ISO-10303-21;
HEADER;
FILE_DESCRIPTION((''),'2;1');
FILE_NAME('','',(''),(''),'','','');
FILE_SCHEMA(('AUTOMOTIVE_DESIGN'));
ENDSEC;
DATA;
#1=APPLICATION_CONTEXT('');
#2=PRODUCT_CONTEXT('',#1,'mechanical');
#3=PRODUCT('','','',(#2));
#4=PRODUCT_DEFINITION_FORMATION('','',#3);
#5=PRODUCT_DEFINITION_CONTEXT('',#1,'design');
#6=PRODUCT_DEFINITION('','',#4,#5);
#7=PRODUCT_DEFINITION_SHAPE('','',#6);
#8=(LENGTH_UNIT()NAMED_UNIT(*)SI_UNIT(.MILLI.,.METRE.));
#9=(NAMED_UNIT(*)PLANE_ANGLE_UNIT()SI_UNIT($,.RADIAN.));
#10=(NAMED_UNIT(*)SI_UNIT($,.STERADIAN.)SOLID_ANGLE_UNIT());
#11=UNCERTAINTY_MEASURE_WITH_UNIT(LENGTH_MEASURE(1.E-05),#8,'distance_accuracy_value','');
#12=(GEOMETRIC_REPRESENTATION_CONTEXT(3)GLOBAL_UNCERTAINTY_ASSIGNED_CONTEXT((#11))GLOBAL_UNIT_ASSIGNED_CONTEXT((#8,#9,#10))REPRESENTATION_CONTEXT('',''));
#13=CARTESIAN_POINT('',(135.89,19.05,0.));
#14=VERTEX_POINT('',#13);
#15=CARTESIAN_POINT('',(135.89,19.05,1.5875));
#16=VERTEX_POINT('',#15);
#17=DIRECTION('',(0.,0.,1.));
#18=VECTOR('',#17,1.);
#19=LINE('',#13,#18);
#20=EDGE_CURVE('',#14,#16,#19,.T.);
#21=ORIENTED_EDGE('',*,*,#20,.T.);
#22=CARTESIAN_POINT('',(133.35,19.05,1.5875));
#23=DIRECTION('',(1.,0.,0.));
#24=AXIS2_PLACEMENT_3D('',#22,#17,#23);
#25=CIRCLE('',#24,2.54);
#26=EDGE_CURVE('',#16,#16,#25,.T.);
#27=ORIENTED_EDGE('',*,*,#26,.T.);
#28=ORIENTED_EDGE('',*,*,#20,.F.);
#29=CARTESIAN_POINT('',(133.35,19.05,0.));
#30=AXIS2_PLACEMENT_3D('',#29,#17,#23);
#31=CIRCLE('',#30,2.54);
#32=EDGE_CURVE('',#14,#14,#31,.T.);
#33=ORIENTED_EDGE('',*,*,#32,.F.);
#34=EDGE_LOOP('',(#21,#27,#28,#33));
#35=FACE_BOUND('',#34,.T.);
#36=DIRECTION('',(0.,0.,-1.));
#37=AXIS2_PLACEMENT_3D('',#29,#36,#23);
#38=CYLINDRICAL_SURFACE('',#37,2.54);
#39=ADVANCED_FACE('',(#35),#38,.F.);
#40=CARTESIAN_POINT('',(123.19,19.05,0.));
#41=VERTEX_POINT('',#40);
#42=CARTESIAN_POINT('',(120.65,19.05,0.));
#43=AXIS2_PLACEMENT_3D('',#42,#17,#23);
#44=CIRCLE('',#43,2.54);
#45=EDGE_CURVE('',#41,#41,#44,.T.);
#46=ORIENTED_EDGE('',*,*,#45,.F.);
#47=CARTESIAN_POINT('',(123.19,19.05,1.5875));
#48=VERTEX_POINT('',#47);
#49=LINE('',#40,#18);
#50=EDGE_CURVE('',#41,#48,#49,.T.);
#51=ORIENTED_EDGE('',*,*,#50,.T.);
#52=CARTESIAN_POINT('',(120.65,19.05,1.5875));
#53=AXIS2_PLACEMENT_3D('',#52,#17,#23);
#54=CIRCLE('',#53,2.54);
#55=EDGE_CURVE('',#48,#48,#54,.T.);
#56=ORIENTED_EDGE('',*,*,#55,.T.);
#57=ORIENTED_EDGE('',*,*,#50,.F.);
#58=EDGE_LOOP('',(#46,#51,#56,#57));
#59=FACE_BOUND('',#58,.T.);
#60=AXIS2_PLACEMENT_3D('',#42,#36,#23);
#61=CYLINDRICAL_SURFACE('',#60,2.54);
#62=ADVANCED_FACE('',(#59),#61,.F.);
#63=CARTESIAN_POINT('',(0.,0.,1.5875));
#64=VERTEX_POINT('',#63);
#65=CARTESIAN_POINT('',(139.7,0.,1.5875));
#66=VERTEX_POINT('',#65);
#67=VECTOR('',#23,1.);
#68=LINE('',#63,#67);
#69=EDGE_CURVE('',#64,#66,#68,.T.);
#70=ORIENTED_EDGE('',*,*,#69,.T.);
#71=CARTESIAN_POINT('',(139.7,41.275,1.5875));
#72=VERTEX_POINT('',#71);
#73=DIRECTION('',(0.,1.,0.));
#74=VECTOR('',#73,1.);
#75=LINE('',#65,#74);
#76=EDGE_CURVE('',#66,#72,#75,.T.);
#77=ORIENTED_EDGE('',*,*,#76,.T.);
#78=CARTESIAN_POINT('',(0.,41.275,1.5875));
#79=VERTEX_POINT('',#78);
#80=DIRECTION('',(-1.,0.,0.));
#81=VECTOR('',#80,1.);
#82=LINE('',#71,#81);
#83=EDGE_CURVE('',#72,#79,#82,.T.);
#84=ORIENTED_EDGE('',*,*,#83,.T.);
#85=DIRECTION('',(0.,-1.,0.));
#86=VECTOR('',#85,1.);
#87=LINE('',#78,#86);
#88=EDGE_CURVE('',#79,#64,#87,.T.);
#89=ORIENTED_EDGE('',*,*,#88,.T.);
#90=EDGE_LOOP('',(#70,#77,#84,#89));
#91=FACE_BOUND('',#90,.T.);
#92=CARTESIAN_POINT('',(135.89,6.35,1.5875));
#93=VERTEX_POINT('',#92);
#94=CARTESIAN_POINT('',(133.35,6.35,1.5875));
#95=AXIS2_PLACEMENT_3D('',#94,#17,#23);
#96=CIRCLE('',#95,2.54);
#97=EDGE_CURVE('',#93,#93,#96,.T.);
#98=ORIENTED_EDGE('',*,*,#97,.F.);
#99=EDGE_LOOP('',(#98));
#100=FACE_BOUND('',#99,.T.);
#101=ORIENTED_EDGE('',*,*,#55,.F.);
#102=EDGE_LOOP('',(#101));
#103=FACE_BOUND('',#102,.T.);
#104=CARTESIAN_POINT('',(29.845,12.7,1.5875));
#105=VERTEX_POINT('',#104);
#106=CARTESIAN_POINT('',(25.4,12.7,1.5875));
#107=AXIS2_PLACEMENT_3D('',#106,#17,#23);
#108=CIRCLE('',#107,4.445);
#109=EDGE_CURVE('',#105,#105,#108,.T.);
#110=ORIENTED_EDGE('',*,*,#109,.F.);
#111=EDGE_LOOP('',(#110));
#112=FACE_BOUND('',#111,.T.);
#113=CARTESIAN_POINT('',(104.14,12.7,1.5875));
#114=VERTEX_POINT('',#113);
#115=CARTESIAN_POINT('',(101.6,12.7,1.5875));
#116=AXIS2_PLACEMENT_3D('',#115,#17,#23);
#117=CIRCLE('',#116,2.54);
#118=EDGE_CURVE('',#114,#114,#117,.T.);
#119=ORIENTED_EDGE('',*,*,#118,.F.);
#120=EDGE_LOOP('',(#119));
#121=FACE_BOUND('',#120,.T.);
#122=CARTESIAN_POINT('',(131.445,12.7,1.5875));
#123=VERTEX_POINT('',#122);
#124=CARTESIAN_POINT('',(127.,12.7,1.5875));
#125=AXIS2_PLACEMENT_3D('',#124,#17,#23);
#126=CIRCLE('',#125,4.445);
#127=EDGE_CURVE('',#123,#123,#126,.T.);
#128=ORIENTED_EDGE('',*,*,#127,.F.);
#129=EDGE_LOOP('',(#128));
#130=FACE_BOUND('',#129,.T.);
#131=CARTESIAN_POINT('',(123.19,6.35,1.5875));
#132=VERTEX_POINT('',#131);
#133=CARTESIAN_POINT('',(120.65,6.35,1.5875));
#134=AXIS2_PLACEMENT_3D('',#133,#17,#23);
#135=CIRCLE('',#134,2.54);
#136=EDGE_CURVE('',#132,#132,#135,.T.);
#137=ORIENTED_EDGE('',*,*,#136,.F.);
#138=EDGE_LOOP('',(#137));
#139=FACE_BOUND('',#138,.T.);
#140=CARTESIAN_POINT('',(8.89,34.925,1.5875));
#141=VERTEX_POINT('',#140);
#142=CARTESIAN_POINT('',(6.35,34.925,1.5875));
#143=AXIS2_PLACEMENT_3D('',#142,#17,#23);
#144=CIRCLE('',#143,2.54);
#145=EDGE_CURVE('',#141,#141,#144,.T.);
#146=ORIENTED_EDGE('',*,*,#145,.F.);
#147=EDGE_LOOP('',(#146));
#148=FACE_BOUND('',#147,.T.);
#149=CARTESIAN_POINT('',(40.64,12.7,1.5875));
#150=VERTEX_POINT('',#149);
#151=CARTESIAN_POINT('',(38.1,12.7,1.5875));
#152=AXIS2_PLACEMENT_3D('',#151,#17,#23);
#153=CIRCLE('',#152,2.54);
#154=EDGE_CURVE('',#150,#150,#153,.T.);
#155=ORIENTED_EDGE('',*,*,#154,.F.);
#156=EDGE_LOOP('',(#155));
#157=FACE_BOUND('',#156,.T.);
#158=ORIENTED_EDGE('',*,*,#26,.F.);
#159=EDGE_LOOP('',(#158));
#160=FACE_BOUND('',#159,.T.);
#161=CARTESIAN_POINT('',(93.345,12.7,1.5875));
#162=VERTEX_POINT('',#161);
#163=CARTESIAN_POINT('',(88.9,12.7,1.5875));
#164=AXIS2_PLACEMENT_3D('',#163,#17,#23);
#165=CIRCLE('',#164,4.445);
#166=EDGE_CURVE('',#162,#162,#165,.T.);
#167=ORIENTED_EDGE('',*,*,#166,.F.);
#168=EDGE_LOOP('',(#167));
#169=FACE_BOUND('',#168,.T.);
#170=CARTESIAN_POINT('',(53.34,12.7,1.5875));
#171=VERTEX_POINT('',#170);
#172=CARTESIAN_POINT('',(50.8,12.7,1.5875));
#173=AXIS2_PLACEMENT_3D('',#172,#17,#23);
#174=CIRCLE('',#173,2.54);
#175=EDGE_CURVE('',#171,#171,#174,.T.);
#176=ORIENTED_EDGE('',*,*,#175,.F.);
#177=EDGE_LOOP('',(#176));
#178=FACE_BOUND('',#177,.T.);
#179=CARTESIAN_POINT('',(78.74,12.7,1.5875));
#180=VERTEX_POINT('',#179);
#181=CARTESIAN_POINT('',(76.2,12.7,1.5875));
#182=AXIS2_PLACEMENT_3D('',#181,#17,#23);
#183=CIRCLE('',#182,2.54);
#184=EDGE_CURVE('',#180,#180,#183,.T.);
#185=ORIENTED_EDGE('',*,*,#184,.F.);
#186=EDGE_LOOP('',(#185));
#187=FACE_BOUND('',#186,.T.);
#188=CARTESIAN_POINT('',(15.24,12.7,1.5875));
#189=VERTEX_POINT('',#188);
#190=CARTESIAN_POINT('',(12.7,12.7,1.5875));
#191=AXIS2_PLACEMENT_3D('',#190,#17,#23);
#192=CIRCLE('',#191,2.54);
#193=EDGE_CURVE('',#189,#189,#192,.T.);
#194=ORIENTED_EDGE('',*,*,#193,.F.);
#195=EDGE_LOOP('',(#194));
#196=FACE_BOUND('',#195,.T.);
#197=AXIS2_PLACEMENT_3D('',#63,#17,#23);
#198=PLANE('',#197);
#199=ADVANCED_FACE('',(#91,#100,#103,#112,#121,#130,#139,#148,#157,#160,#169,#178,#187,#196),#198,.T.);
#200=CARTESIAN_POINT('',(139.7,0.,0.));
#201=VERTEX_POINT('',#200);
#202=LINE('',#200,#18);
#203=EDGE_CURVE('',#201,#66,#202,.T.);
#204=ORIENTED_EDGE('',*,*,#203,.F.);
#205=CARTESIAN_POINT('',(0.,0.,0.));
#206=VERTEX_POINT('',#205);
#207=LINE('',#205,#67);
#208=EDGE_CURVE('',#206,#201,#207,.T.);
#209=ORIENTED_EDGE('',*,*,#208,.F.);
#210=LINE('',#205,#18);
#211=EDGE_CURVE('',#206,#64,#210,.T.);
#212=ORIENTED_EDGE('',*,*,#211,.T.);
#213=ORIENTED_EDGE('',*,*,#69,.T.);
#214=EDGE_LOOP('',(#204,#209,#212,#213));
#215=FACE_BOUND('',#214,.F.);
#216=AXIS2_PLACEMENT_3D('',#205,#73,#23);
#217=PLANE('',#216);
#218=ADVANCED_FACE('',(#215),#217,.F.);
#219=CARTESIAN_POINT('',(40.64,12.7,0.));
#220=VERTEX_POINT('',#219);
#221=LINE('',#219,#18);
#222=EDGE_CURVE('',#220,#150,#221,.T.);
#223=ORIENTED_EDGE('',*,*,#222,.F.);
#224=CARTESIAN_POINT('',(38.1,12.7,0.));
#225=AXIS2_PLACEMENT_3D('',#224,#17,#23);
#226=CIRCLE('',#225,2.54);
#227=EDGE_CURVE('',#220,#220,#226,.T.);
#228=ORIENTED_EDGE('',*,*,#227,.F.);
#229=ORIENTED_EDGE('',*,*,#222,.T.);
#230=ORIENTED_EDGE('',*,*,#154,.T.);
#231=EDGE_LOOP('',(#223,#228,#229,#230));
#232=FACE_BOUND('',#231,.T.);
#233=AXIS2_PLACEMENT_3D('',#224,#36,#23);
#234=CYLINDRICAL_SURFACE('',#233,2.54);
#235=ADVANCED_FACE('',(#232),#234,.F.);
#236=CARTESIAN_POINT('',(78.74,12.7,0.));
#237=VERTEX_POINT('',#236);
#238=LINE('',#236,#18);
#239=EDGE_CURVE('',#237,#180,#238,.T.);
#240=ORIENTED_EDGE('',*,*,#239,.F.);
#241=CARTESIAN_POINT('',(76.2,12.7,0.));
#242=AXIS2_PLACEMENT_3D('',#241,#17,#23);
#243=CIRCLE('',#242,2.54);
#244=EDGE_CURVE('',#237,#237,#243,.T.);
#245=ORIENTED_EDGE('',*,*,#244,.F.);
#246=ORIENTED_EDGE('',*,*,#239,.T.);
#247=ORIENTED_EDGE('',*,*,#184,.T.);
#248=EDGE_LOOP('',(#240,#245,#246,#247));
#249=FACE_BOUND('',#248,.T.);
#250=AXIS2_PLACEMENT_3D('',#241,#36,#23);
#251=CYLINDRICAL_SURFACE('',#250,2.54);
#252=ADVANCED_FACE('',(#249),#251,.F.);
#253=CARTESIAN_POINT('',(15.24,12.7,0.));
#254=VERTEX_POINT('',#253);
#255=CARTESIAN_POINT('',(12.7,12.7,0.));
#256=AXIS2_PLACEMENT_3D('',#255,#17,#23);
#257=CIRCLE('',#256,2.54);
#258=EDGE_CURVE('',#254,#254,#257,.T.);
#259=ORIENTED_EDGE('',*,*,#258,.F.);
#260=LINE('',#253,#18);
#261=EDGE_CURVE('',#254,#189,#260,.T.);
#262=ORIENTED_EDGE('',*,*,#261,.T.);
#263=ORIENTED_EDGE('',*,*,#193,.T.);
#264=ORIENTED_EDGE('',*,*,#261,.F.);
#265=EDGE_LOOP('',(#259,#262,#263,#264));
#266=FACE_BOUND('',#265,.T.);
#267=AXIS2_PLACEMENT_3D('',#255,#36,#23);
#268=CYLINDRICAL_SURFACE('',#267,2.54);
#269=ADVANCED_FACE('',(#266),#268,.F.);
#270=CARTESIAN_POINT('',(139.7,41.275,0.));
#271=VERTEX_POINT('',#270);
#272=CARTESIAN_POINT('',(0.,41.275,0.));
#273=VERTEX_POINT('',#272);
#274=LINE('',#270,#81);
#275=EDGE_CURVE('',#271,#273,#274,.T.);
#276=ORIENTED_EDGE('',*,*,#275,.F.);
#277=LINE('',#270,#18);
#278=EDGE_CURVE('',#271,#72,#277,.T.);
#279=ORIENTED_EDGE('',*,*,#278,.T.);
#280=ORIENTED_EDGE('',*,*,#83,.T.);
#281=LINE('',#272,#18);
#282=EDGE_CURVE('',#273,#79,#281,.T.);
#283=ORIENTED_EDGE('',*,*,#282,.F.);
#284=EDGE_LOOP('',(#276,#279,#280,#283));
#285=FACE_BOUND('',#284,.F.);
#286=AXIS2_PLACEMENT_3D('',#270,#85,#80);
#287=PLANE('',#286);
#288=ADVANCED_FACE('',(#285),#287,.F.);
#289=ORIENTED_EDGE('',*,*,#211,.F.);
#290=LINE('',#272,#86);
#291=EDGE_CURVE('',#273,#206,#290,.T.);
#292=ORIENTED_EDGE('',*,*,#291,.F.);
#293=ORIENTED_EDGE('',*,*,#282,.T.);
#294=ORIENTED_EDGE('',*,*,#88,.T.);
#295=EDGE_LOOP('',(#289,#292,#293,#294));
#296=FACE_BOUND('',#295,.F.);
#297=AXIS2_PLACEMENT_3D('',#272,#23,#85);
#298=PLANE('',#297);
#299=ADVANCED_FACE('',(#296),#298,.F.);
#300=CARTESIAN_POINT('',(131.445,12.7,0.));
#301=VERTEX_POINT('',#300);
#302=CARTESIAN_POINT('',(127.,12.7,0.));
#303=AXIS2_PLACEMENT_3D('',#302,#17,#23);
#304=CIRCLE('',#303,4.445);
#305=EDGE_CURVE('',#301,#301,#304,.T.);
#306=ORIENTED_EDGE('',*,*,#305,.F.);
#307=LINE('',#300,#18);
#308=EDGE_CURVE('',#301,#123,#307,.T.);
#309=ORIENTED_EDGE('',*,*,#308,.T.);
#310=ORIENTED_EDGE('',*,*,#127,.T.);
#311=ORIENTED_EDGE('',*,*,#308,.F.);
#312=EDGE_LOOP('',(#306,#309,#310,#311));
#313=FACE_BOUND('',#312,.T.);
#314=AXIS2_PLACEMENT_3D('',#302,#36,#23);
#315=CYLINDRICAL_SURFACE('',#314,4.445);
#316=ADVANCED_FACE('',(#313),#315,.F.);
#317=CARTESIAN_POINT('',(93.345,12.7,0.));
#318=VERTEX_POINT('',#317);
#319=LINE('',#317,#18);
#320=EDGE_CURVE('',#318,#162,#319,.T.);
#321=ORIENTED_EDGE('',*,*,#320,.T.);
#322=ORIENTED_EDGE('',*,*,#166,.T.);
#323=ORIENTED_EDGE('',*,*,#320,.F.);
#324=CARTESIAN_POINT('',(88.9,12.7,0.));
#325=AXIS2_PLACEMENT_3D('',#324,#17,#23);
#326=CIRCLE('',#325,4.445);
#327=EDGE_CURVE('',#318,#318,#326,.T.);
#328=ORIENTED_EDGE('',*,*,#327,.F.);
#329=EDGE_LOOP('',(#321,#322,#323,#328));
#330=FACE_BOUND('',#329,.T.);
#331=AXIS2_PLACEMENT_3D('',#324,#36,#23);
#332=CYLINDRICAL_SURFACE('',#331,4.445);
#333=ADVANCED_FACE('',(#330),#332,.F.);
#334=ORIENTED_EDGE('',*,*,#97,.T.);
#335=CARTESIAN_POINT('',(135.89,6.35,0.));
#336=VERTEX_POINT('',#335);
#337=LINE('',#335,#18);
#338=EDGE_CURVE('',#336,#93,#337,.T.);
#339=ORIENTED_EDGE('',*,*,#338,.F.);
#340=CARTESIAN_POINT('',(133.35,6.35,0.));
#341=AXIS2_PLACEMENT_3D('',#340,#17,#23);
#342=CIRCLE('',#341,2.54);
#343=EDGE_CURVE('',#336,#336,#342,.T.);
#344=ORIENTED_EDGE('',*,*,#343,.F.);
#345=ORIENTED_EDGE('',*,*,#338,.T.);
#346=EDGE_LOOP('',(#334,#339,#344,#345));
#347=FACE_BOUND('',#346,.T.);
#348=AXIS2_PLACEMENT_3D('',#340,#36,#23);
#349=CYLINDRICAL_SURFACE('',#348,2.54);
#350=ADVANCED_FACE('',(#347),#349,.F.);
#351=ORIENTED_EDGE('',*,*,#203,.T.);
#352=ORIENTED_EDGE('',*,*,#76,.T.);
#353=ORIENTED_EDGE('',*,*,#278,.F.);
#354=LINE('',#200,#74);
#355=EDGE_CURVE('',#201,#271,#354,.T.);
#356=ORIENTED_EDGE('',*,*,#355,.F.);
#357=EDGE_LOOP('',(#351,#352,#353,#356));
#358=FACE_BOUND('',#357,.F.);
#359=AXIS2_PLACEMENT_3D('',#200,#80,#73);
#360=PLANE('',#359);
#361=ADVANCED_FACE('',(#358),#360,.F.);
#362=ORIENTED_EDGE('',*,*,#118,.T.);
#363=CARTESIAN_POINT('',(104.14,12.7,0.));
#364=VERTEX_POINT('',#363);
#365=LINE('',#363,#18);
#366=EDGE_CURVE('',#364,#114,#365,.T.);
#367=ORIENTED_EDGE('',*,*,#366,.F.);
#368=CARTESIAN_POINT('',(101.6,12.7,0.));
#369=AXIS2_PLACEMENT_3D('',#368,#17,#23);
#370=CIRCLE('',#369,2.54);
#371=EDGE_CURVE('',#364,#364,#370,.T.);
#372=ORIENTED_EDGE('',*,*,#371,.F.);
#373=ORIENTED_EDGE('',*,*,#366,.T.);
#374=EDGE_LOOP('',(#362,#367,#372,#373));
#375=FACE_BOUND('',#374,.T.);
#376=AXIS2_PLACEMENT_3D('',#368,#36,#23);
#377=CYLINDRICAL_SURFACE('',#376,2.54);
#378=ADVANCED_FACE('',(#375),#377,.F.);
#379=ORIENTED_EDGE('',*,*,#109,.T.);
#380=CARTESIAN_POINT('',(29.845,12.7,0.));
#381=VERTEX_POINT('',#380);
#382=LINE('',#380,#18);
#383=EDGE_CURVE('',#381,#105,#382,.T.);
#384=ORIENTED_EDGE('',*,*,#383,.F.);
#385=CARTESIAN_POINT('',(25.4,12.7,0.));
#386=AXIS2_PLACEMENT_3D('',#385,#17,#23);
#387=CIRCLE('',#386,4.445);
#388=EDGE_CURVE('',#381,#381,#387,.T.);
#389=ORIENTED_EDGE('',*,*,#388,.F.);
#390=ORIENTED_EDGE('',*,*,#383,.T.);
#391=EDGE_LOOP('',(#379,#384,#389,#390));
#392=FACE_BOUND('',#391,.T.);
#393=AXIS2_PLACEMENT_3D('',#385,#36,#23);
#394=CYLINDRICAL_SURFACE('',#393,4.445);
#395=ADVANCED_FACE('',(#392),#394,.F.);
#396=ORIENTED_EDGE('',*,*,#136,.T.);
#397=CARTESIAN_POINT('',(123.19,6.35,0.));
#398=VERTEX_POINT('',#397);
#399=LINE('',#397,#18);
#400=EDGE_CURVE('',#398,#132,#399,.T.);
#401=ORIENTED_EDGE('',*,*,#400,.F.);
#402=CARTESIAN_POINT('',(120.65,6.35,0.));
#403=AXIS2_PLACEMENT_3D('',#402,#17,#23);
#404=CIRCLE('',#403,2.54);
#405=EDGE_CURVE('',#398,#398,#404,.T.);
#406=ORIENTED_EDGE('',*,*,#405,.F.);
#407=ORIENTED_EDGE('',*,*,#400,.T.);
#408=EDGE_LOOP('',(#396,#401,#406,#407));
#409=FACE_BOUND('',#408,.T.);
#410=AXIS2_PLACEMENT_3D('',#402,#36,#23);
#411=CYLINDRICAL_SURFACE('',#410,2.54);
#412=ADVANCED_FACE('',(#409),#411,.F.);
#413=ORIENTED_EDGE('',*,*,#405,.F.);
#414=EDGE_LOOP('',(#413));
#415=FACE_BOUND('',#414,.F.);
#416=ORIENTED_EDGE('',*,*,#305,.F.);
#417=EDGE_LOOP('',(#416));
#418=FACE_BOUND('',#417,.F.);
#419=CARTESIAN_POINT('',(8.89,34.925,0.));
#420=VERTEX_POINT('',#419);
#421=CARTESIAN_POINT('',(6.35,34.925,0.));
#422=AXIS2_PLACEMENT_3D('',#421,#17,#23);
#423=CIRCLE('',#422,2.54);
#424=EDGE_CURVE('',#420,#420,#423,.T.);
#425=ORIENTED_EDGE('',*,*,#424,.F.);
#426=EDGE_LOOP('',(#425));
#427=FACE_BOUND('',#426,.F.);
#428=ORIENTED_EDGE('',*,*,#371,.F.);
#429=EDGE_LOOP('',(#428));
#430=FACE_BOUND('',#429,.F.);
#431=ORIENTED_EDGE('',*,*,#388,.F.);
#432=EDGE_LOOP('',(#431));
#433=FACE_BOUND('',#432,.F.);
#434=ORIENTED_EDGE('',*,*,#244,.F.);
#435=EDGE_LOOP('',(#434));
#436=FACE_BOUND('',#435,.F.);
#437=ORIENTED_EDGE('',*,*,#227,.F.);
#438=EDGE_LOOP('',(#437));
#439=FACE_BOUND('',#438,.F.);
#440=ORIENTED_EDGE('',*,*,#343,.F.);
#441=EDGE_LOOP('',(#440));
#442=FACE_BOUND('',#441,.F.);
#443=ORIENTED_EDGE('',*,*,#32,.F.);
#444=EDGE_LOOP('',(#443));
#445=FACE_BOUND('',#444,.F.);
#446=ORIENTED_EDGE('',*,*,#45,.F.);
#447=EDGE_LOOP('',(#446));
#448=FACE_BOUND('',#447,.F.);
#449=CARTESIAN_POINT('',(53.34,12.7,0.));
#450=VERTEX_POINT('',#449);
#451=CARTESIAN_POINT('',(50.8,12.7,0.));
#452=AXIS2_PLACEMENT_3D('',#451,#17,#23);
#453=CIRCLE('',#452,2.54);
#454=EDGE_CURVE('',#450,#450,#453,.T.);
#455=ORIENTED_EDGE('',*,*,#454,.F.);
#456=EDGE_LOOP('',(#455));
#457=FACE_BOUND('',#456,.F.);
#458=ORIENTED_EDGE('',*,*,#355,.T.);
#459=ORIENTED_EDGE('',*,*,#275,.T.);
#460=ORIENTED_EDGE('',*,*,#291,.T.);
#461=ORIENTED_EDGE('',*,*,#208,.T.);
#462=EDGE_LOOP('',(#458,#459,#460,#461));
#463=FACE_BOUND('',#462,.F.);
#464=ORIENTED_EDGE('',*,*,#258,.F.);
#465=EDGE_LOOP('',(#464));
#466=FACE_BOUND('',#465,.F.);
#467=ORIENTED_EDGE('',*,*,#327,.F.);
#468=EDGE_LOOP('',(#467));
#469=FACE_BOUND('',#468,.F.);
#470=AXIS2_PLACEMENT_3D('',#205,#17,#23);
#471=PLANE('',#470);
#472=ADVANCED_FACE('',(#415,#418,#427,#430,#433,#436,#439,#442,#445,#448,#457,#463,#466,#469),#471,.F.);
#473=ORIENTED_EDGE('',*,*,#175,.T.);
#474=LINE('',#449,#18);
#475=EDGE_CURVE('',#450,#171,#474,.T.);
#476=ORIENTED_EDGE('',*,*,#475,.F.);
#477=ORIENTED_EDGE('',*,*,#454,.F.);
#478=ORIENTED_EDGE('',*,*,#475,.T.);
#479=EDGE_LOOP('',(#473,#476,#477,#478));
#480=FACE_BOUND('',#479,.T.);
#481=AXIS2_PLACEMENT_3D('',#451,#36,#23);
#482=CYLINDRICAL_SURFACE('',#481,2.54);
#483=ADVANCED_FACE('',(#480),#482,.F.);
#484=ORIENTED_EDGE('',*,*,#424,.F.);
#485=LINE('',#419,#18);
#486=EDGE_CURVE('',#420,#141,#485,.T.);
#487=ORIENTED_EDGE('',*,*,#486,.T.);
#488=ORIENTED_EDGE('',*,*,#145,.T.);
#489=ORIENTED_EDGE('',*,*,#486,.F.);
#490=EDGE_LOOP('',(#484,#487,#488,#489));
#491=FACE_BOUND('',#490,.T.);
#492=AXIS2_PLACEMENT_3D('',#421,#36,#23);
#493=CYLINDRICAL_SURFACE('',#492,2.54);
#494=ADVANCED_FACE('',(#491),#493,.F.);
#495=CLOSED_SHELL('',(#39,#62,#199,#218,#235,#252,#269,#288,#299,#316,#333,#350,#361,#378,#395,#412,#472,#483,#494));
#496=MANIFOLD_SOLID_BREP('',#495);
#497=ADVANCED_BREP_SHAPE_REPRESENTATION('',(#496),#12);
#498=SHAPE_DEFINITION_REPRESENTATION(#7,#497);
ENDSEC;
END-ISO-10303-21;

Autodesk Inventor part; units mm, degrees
ref_plane "YZ Plane" through (0, 0, 0) normal (1, 0, 0) x (0, 1, 0)
ref_plane "XZ Plane" through (0, 0, 0) normal (0, 1, 0) x (-1, 0, 0)
ref_plane "XY Plane" through (0, 0, 0) normal (0, 0, 1) x (1, 0, 0)
sketch "Sketch1" plane through (0, 0, 0) normal (0, 0, 1) x (1, 0, 0)
  line L0 (0, 0) -> (139.7, 0)
  line L1 (139.7, 0) -> (139.7, 41.275)
  line L2 (139.7, 41.275) -> (0, 41.275)
  line L3 (0, 41.275) -> (0, 0)
  circle A0 centre (12.7, 12.7) radius 2.54
  circle A1 centre (25.4, 12.7) radius 4.445
  circle A2 centre (38.1, 12.7) radius 2.54
  circle A3 centre (50.8, 12.7) radius 2.54
  circle A4 centre (76.2, 12.7) radius 2.54
  circle A5 centre (88.9, 12.7) radius 4.445
  circle A6 centre (101.6, 12.7) radius 2.54
  circle A7 centre (127, 12.7) radius 4.445
  circle A8 centre (133.35, 19.05) radius 2.54
  circle A9 centre (133.35, 6.35) radius 2.54
  circle A10 centre (120.65, 6.35) radius 2.54
  circle A11 centre (120.65, 19.05) radius 2.54
  circle A12 centre (6.35, 34.925) radius 2.54
  dimension "d0" = 139.7
  dimension "d1" = 41.275
  dimension "d6" = 5.08
  dimension "d12" = 8.89
  dimension "d13" = 5.08
  dimension "d14" = 5.08
  dimension "d15" = 5.08
  dimension "d19" = 8.89
  dimension "d20" = 5.08
  dimension "d21" = 8.89
  dimension "d24" = 5.08
  dimension "d28" = 5.08
  dimension "d29" = 5.08
  dimension "d30" = 5.08
  dimension "d34" = 5.08
extrude "Extrusion1" add sketch "Sketch1" along normal blind 1.5875
properties part number "flatPoly1ForCNC"
